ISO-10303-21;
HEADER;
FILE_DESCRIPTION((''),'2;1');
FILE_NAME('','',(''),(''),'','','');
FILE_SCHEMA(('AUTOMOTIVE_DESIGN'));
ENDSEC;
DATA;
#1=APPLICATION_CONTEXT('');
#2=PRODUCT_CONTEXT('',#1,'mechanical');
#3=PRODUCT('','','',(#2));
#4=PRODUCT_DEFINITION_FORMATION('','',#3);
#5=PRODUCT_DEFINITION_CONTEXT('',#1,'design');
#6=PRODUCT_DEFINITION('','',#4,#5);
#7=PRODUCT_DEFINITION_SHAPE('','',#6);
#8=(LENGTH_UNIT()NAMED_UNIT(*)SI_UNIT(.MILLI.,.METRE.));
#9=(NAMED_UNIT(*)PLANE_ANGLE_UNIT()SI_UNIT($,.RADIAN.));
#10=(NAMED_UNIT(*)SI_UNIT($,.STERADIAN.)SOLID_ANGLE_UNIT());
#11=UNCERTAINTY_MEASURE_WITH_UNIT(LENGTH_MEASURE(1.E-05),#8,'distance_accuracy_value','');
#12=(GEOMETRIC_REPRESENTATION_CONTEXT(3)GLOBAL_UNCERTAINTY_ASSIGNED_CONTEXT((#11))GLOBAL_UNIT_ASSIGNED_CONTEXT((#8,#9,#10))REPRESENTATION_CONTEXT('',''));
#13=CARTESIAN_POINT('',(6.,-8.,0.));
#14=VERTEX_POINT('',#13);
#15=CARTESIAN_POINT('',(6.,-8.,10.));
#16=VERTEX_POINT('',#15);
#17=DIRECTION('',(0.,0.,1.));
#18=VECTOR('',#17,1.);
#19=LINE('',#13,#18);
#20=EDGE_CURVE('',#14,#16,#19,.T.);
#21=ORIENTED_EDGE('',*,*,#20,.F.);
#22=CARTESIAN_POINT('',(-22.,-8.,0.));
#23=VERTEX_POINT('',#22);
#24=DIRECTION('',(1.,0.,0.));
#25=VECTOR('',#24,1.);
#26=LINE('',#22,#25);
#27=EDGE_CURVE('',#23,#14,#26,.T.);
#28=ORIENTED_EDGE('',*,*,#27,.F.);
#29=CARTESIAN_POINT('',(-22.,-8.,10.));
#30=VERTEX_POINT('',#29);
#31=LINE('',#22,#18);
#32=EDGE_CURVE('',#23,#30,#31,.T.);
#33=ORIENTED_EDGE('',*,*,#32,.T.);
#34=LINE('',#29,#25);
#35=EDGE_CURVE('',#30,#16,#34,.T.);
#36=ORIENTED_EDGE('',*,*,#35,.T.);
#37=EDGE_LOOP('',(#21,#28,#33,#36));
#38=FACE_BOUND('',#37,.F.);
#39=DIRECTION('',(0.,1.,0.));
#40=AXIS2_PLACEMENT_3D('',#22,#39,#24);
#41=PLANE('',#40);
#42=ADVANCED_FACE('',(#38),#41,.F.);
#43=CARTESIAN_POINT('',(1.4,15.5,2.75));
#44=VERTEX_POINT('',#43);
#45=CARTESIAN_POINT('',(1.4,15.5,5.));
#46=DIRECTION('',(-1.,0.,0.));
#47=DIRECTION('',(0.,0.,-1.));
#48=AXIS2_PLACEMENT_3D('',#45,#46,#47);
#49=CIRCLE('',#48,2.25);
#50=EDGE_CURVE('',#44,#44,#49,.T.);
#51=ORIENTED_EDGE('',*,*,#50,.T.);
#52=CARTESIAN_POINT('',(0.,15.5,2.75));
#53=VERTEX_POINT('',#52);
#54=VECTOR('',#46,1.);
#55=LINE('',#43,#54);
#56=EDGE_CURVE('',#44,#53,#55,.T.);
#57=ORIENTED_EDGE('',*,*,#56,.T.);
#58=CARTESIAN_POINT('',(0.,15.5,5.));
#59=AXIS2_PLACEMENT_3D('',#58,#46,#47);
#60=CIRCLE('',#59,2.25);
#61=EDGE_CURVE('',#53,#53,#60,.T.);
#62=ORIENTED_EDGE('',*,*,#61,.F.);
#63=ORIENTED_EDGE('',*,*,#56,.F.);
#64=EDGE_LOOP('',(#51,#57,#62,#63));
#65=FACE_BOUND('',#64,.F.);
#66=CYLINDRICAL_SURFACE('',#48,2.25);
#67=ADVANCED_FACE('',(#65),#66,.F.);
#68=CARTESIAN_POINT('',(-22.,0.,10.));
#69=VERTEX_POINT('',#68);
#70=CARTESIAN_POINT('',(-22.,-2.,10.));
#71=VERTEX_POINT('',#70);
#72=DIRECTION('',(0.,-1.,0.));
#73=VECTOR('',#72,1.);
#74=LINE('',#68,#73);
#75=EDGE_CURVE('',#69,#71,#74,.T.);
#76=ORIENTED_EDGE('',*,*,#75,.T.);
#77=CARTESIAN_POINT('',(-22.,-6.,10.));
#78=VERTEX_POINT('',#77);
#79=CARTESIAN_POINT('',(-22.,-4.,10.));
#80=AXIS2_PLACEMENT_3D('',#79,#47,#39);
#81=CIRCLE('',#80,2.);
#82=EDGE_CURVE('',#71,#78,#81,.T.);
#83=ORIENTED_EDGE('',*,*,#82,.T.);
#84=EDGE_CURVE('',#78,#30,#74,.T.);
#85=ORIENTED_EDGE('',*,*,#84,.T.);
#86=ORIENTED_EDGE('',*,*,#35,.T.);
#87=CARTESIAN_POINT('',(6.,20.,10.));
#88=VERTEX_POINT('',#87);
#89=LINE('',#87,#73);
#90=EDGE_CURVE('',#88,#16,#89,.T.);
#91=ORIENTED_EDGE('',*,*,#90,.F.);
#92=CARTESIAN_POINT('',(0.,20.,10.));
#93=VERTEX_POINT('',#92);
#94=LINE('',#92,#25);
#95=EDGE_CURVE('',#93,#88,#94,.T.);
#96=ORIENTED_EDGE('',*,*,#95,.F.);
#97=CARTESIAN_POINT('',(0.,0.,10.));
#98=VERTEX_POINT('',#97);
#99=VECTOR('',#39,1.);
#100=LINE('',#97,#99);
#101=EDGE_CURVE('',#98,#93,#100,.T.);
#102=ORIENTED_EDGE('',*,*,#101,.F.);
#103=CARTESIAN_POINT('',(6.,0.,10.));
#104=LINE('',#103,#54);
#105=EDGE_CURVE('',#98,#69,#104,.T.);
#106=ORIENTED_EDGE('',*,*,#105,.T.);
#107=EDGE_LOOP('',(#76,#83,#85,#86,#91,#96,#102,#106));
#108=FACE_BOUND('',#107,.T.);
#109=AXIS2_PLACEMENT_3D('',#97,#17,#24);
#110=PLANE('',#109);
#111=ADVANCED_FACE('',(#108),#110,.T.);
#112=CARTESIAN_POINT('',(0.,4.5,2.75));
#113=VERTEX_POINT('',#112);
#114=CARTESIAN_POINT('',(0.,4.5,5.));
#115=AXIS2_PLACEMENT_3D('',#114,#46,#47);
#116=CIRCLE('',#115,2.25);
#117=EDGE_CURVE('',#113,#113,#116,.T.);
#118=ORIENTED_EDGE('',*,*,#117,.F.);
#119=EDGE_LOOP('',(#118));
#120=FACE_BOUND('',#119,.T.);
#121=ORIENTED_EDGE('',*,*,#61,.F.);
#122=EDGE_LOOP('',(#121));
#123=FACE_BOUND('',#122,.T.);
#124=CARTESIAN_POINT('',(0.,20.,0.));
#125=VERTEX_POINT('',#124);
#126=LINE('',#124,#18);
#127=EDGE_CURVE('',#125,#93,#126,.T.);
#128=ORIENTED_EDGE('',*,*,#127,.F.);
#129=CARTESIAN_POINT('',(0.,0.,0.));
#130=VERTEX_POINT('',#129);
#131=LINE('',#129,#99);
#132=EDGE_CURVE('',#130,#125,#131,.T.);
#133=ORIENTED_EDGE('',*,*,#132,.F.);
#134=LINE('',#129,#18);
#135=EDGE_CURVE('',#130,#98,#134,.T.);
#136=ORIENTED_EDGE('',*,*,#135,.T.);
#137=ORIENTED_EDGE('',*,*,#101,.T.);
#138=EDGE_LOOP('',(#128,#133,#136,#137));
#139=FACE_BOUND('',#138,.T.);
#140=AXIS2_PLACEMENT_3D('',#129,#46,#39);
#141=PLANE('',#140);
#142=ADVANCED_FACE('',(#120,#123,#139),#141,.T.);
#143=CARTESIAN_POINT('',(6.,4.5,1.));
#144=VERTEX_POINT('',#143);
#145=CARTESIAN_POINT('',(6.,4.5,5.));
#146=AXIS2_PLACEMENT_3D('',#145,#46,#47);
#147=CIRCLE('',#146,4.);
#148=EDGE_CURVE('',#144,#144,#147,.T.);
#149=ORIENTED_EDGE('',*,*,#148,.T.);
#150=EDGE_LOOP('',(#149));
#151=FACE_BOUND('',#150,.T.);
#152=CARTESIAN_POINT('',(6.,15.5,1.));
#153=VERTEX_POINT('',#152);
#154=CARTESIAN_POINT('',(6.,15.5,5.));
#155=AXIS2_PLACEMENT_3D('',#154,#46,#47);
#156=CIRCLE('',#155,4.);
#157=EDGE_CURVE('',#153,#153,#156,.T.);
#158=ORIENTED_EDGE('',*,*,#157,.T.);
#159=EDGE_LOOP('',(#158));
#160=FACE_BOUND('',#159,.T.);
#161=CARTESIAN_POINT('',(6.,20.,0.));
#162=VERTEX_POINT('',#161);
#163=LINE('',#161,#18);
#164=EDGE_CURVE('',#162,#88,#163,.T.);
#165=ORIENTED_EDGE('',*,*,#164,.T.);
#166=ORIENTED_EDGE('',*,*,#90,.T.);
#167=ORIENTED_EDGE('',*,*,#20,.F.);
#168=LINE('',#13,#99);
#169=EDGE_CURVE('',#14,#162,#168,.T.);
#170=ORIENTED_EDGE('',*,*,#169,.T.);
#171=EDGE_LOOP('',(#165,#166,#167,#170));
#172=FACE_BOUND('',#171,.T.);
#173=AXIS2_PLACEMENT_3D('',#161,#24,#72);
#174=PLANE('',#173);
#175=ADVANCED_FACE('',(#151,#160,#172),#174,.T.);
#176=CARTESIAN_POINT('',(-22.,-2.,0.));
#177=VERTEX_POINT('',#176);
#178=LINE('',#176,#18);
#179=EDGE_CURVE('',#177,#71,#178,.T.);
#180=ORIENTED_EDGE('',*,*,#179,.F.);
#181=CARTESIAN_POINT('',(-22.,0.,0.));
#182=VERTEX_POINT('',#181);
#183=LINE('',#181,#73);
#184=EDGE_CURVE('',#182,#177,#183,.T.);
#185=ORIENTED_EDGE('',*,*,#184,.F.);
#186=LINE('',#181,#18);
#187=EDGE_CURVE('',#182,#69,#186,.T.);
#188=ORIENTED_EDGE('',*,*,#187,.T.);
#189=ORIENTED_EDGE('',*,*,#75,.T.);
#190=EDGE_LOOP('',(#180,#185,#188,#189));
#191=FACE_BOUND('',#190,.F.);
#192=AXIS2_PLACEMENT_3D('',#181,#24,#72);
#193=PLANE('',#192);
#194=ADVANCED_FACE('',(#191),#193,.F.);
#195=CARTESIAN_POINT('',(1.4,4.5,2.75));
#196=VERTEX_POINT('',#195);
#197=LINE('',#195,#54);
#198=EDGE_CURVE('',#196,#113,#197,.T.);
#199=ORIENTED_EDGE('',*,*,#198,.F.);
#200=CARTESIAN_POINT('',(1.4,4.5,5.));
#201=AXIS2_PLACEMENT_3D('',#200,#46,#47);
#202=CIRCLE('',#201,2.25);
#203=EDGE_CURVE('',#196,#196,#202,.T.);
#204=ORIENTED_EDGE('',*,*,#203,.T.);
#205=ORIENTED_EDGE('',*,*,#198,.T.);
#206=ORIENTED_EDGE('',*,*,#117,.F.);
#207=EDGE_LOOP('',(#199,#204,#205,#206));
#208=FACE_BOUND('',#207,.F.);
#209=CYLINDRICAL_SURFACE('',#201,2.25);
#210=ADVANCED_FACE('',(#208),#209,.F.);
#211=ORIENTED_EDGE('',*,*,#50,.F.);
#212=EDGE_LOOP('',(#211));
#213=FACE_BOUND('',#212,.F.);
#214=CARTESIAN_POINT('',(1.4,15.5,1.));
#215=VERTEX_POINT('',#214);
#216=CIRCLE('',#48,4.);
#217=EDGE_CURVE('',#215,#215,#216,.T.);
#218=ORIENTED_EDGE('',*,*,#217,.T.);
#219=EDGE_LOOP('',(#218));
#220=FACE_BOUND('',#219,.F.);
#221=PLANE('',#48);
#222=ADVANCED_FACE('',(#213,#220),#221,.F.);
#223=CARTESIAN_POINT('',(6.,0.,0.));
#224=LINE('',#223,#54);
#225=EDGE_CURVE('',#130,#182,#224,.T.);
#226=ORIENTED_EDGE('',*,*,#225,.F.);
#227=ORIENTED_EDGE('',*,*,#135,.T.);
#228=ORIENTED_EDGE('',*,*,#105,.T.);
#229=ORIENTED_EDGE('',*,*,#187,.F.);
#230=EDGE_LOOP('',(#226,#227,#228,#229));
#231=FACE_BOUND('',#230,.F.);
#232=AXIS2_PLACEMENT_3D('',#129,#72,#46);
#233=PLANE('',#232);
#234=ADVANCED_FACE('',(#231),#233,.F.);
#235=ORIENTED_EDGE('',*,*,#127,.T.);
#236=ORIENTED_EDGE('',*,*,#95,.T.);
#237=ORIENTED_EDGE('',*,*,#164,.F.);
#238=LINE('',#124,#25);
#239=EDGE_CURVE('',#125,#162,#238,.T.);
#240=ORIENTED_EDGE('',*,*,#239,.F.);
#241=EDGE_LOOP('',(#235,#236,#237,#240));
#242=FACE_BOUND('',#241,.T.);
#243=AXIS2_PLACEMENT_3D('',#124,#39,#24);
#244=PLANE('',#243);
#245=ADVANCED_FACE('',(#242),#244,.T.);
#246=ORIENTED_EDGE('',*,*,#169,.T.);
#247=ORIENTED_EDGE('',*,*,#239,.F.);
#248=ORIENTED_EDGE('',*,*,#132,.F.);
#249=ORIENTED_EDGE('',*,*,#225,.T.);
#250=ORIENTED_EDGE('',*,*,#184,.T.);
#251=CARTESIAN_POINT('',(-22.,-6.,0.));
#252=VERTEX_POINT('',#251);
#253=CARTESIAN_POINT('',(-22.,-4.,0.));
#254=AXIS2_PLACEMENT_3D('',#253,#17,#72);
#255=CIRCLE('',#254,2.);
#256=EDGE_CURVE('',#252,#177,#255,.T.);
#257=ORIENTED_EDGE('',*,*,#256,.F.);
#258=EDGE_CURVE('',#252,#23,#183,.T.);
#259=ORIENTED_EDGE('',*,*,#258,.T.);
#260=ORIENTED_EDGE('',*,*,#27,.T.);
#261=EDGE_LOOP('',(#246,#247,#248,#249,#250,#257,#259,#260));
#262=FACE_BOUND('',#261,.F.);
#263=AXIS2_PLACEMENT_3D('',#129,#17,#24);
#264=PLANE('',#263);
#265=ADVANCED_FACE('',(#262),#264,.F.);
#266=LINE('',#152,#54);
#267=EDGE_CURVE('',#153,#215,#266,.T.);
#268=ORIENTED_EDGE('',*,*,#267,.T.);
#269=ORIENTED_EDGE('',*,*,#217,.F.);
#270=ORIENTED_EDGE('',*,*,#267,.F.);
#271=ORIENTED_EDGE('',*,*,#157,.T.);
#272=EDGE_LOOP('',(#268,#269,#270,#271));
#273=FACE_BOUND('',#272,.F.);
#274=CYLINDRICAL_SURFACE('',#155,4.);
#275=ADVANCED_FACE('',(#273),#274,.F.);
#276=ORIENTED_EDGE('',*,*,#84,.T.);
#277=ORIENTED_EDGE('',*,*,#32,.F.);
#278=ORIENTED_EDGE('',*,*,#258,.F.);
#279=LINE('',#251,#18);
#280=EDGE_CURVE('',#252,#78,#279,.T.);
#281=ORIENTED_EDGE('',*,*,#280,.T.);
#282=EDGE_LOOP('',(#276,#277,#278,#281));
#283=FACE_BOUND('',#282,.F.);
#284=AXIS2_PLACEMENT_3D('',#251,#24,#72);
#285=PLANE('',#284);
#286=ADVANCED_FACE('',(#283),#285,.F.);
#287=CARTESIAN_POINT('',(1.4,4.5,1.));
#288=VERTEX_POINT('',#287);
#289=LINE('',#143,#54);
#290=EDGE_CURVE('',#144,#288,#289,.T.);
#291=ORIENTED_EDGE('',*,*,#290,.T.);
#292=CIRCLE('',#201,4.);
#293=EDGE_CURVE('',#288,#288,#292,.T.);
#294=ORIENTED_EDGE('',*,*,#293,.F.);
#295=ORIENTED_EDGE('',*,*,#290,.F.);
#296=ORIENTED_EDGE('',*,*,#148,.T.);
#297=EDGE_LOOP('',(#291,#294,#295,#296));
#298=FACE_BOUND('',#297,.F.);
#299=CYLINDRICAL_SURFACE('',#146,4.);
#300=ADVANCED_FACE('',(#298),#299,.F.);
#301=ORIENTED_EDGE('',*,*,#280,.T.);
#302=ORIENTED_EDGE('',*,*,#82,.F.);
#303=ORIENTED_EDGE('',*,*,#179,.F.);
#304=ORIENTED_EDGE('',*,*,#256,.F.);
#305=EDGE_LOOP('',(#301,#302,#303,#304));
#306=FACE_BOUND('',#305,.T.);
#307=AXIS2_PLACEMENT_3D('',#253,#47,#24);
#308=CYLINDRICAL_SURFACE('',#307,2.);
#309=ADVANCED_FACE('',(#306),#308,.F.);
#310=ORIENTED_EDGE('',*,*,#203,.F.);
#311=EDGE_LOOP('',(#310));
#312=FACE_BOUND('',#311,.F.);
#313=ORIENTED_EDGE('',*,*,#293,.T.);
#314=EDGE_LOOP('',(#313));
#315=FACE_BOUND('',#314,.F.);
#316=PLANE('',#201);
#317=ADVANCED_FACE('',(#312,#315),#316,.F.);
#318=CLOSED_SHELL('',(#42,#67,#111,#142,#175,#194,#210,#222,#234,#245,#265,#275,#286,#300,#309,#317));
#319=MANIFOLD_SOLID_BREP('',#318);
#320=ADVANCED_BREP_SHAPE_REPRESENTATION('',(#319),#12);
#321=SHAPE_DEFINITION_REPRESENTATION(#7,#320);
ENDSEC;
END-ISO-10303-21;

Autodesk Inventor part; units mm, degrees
ref_plane "YZ Plane" through (0, 0, 0) normal (1, 0, 0) x (0, 1, 0)
ref_plane "XZ Plane" through (0, 0, 0) normal (0, 1, 0) x (-1, 0, 0)
ref_plane "XY Plane" through (0, 0, 0) normal (0, 0, 1) x (1, 0, 0)
sketch "Sketch1" plane through (0, 0, 0) normal (0, 0, 1) x (1, 0, 0)
  line L0 (0, 20) -> (6, 20)
  line L1 (6, 20) -> (6, 0)
  line L2 (6, 0) -> (0, 0)
  line L3 (0, 0) -> (0, 20)
  line L4 (6, 0) -> (-22, 0)
  line L5 (-22, 0) -> (-22, -8)
  line L6 (-22, -8) -> (6, -8)
  line L7 (6, -8) -> (6, 0)
  circle A0 centre (-22, -4) radius 2
  point P0 (0, 0)
  point P1 (-22, -2)
  point P2 (-22, -6)
  dimension "d0" = 20
  dimension "d1" = 6
  dimension "d2" = 4
  dimension "d3" = 8
  dimension "d4" = 22
extrude "Extrusion1" add sketch "Sketch1" along normal blind 10 contours L0 L1 L2 L3 | L2 L7 L6 L5 A0 L4
sketch "Sketch2" plane through (6, -8, 0) normal (1, 0, 0) x (0, 0, -1)
  line L0 (0, 28) -> (-10, 28) projected
  point P0 (0, 8)
  point P1 (-5, 12.5)
  point P2 (-5, 23.5)
  point P3 (-5, 28)
  dimension "d14" = 11
  dimension "d15" = 4.5
hole "Hole1" at (6, 15.5, 5) at (6, 4.5, 5) direction (-1, 0, 0) diameter 4.5 end through all counterbore diameter 8 counterbore depth 4.6 clearance for "Socket Head Cap Screw ISO 4762" size "M4" standard "ISO"
properties part number "Gripper arm" material "Steel"
